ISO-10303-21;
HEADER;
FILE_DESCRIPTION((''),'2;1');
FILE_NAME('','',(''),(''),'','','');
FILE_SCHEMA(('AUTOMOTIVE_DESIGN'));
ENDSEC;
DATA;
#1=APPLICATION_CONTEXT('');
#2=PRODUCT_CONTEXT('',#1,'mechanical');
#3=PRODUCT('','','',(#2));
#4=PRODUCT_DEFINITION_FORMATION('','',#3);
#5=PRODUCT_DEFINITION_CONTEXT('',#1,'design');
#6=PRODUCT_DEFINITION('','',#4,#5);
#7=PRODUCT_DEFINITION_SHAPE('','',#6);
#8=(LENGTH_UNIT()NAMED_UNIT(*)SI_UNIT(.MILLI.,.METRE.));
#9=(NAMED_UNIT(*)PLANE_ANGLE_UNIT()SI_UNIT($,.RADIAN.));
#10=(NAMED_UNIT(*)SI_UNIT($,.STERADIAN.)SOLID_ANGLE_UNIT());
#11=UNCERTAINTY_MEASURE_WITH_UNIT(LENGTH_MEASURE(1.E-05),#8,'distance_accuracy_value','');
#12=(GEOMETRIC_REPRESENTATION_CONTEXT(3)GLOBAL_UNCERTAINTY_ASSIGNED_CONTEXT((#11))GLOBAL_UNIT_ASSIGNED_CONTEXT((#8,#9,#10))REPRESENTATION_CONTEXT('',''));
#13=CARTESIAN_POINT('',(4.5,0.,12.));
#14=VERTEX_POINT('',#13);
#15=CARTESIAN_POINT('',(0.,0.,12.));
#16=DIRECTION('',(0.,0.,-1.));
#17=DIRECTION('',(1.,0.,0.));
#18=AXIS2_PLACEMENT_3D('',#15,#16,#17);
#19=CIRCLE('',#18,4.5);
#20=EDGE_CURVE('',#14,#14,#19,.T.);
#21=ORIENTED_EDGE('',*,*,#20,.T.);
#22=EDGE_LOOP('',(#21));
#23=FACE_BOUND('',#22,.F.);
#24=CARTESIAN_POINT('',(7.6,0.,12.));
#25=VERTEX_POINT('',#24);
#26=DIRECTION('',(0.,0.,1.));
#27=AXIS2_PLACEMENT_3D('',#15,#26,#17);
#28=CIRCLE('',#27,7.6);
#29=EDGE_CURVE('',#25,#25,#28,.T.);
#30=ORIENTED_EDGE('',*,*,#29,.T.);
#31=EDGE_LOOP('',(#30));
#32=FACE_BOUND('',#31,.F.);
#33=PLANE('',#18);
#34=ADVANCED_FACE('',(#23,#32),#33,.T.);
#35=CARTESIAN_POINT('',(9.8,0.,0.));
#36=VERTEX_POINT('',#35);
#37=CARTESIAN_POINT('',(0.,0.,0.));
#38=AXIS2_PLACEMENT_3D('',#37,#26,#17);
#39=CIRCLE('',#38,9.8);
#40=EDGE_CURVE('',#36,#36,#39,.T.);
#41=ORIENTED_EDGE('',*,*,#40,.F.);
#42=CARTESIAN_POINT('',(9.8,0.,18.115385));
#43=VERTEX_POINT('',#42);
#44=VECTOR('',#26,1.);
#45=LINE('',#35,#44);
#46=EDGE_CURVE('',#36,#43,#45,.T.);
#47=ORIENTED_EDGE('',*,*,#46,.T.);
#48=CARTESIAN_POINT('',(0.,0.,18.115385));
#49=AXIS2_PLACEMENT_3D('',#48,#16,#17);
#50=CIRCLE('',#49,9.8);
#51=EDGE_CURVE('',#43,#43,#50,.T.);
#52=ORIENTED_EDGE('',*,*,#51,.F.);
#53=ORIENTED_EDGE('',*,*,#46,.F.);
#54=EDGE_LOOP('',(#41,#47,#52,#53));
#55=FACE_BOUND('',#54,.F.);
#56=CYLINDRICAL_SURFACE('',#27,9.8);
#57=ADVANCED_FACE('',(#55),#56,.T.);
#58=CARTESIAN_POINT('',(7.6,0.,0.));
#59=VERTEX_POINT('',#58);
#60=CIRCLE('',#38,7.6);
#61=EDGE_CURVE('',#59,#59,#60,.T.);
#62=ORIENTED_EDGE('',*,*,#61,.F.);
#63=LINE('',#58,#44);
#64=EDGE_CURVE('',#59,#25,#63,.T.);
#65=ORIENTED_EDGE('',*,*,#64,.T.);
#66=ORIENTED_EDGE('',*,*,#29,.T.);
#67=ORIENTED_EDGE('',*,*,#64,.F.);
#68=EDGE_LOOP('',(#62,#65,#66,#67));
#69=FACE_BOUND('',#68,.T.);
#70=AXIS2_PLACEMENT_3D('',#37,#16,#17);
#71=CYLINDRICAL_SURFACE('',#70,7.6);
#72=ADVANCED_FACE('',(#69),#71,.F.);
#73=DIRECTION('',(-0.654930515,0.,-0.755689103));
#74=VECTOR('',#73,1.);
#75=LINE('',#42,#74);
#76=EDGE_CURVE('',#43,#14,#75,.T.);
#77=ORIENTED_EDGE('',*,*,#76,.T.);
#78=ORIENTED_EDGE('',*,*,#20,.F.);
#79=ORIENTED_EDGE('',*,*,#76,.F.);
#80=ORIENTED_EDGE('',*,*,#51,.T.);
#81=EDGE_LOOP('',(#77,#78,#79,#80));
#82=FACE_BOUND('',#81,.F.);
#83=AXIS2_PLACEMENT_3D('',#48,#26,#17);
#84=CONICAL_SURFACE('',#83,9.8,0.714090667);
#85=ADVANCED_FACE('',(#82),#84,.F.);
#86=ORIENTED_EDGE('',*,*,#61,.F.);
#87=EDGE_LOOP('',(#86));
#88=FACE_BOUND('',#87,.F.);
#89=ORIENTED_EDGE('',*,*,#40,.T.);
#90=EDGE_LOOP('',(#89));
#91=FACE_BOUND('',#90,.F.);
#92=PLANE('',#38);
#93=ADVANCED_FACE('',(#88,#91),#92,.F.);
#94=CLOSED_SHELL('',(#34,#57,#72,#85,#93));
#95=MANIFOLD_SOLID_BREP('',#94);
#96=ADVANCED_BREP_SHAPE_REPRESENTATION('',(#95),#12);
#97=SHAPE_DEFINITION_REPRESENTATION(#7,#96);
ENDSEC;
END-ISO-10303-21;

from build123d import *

# Parameters (mm, degrees)
F0_R     = 9.8
F0_R_2   = 7.6
F3_DEPTH = 12


with BuildPart() as f3:
    # F0 (on Top) → F3 (new body)
    with BuildSketch(Plane.XY):
        Circle(F0_R)
        Circle(F0_R_2, mode=Mode.SUBTRACT)
    extrude(amount=F3_DEPTH)

    # F1 (on Front) → F4 (revolve)
    with BuildSketch(Plane.XZ):
        Polygon((9.8, 18.115385), (4.5, 12), (9, 12), (9.8, 12), align=None)
    revolve(axis=Axis((0, 0, -6.017471), (0, 0, -1)))


solid = f3.part
